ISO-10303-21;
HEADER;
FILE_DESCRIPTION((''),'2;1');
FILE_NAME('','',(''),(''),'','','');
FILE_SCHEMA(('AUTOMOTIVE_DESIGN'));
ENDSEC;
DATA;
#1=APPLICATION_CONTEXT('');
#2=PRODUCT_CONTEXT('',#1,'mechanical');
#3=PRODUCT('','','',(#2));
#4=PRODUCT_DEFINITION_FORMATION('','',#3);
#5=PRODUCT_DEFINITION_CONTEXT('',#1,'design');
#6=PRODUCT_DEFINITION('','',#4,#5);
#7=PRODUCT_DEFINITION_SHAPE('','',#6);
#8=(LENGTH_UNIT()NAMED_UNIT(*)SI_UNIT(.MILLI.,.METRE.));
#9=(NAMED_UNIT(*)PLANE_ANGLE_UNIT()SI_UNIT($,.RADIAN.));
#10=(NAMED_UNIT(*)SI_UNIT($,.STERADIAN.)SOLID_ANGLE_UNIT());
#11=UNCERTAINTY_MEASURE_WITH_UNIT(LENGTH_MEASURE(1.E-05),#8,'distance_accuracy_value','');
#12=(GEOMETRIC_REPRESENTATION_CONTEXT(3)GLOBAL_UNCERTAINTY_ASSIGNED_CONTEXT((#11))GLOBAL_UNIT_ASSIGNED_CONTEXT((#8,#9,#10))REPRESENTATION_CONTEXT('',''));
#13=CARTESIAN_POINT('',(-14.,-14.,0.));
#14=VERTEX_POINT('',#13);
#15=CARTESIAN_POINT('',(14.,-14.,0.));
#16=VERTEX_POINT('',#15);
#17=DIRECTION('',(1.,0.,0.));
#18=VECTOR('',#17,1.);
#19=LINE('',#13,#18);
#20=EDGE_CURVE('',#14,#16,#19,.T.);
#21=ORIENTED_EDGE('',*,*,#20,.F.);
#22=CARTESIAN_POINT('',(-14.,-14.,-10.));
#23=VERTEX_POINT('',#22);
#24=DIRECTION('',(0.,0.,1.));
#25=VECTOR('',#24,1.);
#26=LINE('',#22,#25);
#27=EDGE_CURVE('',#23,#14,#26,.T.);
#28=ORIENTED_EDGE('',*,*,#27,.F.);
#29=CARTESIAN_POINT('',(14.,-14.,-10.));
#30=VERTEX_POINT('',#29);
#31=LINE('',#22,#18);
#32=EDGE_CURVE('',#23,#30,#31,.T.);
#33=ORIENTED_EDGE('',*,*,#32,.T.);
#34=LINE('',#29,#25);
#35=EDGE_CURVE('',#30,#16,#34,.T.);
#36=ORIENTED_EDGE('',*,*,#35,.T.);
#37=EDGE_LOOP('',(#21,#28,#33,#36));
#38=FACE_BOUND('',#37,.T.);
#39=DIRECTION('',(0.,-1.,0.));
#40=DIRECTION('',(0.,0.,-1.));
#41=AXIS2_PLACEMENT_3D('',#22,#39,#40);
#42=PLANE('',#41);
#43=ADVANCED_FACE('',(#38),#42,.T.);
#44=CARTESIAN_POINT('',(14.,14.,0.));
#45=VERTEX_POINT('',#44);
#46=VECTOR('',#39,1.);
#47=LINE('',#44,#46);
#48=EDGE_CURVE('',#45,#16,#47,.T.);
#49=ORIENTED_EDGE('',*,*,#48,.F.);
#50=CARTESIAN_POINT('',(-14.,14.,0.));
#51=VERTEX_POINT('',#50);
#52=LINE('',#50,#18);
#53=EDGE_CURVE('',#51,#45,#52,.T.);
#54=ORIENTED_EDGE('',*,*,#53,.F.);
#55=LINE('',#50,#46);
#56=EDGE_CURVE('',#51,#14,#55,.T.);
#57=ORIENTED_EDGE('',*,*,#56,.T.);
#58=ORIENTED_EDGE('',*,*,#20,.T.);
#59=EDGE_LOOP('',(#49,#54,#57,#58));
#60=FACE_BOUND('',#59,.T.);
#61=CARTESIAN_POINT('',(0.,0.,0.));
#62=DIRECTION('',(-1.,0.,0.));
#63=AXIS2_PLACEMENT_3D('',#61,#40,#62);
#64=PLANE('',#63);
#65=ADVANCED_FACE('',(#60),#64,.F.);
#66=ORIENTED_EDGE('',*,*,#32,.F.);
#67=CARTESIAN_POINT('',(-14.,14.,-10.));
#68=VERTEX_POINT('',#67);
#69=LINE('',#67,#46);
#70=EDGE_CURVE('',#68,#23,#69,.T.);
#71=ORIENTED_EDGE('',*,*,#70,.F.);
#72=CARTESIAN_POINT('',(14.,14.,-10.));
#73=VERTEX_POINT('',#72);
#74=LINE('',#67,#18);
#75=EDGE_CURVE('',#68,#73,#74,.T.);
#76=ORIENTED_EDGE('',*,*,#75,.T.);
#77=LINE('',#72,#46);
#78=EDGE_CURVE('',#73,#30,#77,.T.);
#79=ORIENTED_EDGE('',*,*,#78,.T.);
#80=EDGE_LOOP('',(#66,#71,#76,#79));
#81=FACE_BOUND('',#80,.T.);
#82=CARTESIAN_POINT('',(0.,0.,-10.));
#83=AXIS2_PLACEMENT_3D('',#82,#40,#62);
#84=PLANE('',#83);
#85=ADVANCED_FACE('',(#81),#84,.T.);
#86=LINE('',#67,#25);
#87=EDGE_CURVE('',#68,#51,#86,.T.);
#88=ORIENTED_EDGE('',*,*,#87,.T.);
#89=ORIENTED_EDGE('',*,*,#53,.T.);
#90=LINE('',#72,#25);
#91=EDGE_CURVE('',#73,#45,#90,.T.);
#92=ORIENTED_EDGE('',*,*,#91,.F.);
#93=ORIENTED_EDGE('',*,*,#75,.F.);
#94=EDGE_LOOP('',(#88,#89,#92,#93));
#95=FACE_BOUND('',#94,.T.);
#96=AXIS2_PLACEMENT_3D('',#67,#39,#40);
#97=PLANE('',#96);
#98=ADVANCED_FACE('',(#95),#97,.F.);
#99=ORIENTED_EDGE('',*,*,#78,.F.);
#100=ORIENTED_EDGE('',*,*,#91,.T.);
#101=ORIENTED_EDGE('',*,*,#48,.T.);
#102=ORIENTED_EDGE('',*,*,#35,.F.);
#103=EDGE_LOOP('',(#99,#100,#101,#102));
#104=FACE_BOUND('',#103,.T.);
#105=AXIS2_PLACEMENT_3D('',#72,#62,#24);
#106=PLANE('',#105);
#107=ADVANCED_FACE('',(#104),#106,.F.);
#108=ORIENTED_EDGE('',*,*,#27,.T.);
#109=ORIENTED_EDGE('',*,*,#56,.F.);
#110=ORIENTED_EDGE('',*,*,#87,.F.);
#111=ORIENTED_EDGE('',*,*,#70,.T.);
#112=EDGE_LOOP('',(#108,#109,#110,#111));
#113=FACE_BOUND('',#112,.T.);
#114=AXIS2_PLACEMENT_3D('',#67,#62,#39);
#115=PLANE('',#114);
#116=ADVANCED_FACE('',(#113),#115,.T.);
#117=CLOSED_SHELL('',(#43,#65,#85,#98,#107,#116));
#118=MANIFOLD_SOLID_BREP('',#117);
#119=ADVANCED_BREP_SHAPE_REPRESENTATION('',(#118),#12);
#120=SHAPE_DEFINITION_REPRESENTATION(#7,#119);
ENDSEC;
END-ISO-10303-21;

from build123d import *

# Parameters (mm, degrees)
SKETCH1_W           = 28
SKETCH1_H           = 28
BOSS_EXTRUDE1_DEPTH = 10


with BuildPart() as part:
    # Sketch1 → Boss-Extrude1 (new body)
    with BuildSketch(Plane.XY):
        Rectangle(SKETCH1_W, SKETCH1_H)
    extrude(amount=-BOSS_EXTRUDE1_DEPTH)


solid = part.part
